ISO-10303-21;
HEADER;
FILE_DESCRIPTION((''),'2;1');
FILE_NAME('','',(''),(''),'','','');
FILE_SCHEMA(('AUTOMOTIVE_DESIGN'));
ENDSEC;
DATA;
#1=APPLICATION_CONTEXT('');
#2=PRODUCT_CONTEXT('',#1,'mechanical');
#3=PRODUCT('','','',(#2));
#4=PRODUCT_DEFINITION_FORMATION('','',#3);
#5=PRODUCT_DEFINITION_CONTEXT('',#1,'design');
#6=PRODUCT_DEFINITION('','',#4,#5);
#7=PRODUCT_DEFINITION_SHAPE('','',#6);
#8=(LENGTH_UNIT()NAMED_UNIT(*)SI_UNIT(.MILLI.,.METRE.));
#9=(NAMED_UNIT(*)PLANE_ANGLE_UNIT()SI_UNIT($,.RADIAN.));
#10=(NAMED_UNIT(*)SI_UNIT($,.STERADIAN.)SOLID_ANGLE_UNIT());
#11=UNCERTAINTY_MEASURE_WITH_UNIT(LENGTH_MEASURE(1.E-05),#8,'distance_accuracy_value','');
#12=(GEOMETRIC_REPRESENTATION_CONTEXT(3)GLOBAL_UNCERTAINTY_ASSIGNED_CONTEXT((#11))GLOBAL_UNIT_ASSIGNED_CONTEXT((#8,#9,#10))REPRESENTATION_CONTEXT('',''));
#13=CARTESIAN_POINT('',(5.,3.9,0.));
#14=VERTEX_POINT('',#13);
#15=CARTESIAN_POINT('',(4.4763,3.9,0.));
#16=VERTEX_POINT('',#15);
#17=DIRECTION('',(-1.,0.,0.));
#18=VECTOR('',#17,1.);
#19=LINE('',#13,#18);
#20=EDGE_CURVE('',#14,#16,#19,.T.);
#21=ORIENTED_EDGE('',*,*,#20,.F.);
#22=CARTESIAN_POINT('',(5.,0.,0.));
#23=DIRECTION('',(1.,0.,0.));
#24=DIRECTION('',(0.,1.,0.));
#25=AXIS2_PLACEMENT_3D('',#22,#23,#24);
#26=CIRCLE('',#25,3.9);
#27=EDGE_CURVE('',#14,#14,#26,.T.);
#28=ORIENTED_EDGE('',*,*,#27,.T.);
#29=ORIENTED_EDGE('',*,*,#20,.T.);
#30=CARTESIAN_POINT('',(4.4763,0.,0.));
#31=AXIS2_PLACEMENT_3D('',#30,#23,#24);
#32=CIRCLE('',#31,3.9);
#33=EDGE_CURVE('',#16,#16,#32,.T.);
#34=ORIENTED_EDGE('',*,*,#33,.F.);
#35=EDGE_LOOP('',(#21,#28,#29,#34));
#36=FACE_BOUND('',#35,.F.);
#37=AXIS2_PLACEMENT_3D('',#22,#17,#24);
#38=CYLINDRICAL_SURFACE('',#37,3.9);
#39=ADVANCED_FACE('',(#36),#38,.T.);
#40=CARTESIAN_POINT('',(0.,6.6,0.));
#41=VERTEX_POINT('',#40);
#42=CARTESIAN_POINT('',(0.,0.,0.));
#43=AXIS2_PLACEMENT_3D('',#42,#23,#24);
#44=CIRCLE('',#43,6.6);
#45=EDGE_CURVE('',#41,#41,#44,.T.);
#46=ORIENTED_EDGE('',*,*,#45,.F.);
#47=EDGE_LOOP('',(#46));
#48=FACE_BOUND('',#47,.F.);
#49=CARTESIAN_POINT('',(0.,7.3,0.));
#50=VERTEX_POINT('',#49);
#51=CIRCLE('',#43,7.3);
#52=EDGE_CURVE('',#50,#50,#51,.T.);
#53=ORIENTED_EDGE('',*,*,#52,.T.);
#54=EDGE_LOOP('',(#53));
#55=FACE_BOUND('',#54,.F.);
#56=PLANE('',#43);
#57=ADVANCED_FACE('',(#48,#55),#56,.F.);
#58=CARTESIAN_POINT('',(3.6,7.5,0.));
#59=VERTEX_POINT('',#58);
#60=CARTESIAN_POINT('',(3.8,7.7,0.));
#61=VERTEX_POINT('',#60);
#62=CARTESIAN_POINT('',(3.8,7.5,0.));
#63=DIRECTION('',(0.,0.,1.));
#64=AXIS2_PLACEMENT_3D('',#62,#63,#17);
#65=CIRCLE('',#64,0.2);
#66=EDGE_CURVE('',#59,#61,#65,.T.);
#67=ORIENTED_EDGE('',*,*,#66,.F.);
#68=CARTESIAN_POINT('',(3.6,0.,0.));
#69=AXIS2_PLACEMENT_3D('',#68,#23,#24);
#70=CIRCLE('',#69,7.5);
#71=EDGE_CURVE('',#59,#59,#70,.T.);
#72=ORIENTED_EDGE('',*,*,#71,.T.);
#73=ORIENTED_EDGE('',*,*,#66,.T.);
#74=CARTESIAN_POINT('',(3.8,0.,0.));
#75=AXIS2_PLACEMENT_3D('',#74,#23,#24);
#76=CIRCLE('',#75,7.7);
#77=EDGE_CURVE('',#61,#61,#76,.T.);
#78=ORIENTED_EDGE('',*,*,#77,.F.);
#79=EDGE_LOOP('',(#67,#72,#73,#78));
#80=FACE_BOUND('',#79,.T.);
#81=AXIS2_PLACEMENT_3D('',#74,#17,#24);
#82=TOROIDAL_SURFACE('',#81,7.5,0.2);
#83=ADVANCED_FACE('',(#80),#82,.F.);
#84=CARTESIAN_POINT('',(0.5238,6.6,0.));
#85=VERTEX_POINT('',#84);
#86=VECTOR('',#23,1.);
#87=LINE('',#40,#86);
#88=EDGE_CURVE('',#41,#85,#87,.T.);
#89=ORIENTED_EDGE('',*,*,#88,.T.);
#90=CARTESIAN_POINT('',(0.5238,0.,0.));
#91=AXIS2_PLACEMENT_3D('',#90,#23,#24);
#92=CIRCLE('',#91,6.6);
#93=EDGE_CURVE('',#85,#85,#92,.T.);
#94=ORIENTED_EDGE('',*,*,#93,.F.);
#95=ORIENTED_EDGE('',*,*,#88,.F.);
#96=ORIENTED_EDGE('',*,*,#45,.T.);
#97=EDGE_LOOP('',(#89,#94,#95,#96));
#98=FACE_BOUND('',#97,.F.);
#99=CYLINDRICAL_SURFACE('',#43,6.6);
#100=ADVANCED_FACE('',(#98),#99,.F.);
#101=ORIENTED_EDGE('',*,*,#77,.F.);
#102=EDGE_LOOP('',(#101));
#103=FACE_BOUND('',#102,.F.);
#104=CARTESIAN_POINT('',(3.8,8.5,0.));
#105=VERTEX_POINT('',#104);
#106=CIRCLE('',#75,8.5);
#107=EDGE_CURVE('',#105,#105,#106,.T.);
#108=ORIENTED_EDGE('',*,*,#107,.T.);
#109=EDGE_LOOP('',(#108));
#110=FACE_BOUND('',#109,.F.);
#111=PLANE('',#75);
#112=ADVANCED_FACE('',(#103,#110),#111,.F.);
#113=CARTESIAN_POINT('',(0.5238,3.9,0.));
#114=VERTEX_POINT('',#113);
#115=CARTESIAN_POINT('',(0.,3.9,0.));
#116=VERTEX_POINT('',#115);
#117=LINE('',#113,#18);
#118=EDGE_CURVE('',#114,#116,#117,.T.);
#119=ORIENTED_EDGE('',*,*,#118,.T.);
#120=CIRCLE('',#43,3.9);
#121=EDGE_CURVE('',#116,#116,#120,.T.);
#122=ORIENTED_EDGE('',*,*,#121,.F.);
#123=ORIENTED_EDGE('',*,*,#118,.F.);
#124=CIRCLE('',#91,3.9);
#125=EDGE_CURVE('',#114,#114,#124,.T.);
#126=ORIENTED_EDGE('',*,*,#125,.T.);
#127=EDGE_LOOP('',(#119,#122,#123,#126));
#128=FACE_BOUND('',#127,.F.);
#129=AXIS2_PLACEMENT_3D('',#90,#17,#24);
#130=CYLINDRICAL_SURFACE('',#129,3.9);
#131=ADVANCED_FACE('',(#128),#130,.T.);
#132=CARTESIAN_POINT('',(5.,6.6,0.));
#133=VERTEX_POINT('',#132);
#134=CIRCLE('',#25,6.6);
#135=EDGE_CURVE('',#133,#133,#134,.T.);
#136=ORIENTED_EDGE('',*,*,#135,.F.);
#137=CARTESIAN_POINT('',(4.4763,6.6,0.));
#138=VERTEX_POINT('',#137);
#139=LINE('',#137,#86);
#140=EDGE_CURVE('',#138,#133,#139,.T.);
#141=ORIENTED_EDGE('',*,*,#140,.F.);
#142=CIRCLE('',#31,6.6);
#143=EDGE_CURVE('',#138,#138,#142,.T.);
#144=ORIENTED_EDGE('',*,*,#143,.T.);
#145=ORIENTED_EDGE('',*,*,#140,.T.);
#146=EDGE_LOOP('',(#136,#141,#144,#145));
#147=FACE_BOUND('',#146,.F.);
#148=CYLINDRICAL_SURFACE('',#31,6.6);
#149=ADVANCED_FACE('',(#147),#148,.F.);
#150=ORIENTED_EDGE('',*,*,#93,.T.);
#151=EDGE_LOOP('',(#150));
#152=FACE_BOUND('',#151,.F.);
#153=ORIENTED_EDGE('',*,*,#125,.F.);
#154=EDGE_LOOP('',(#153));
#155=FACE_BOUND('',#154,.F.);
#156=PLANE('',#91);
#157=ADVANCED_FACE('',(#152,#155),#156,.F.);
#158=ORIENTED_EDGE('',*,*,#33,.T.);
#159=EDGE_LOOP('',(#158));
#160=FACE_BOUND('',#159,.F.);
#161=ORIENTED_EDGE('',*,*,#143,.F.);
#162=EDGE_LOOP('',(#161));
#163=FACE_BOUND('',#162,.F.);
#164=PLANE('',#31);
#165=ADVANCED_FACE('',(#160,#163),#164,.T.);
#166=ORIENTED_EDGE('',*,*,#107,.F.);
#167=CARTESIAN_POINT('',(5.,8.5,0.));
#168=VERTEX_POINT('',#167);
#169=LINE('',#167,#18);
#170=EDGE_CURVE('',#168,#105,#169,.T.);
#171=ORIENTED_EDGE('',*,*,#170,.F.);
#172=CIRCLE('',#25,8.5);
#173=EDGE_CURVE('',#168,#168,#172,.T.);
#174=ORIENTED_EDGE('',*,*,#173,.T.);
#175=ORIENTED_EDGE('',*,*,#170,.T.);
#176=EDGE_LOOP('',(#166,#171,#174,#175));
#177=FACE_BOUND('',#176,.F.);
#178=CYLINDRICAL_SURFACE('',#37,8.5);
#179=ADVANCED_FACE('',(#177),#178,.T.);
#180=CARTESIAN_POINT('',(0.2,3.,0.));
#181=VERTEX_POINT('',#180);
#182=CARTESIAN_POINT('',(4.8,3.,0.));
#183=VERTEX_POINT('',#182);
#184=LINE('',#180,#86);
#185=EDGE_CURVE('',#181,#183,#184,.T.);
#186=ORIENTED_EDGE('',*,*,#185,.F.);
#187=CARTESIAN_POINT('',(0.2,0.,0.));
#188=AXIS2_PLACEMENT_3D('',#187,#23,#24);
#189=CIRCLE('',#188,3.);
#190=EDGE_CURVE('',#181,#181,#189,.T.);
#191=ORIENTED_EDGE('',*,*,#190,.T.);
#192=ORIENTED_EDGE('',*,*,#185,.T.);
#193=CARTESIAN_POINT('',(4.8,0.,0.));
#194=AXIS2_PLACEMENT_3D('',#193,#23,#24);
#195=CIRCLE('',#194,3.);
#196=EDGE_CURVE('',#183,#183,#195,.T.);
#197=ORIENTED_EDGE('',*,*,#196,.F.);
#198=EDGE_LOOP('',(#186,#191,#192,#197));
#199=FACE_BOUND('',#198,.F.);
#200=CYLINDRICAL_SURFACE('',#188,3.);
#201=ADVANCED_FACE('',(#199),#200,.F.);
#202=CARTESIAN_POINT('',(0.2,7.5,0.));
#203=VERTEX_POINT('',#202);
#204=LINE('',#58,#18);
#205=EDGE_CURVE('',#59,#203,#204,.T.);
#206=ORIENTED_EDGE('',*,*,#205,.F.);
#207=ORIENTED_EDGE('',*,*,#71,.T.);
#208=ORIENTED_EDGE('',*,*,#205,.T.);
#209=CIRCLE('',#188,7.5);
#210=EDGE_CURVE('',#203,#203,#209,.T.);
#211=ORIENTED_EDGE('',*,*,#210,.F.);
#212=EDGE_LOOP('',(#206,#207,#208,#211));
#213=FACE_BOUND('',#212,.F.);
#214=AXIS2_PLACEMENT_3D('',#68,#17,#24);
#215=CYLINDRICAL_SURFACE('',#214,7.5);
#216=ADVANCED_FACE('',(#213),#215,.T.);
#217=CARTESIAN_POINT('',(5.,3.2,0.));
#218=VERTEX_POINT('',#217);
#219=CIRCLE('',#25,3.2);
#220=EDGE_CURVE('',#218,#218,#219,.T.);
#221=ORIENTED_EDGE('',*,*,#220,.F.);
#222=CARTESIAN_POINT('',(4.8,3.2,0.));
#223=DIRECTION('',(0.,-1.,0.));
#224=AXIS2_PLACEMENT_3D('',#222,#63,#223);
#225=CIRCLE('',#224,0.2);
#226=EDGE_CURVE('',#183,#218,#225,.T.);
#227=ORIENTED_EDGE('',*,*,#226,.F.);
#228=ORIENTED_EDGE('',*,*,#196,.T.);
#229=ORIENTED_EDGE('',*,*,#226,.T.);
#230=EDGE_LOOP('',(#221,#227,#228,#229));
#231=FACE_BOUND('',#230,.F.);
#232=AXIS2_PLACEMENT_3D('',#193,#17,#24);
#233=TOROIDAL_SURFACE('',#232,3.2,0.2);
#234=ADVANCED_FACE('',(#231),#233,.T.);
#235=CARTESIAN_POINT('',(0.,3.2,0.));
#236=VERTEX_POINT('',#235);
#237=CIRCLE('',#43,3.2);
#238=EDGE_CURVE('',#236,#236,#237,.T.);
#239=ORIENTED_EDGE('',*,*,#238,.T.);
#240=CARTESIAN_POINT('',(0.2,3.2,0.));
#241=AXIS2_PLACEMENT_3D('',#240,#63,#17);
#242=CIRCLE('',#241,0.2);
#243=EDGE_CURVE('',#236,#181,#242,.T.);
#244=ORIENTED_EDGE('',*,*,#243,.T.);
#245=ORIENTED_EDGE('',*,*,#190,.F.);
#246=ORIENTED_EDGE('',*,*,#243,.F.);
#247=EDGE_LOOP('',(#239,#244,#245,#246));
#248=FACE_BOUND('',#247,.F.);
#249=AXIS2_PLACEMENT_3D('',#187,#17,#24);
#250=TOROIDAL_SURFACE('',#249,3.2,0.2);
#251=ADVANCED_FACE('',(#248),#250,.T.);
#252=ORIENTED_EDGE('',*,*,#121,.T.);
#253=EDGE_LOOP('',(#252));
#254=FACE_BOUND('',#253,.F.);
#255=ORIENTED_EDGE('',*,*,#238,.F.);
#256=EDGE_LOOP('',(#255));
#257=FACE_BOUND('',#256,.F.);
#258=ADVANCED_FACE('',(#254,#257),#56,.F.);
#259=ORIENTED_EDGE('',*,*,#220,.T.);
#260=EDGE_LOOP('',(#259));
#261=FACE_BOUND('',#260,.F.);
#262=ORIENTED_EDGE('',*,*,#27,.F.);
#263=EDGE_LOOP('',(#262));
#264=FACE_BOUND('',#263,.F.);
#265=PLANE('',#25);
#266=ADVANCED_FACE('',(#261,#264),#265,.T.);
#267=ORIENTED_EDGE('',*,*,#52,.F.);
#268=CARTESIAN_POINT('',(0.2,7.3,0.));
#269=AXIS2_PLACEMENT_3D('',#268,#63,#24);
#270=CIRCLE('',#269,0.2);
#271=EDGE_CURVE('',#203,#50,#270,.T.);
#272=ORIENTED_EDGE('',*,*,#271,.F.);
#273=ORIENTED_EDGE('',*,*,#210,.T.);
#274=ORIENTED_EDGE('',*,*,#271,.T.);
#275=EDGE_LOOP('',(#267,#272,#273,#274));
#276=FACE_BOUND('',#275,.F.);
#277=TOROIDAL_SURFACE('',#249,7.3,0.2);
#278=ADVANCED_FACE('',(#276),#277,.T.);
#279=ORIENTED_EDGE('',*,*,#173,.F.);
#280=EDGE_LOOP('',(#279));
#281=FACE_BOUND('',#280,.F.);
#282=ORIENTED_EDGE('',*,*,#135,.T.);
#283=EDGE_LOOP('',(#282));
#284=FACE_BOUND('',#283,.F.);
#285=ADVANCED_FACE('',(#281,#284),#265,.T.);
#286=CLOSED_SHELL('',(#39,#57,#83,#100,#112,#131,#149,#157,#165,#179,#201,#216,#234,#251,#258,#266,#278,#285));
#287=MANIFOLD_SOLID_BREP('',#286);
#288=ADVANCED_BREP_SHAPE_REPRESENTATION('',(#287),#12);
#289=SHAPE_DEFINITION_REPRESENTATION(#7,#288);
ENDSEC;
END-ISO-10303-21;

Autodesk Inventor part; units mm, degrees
sketch "Sketch_1" plane through (0, 0, 0) normal (0, 0, 1) x (1, 0, 0)
  line L0 (15, 0) -> (-15, 0)
  arc A0 (0, 3.2) -> (0.2, 3) centre (0.2, 3.2) ccw
  line L1 (0.2, 3) -> (4.8, 3)
  arc A1 (4.8, 3) -> (5, 3.2) centre (4.8, 3.2) ccw
  line L2 (5, 3.2) -> (5, 3.9)
  line L3 (5, 3.9) -> (4.4763, 3.9)
  line L4 (4.4763, 3.9) -> (4.4763, 6.6)
  line L5 (4.4763, 6.6) -> (5, 6.6)
  line L6 (5, 6.6) -> (5, 8.5)
  line L7 (5, 8.5) -> (3.8, 8.5)
  line L8 (3.8, 8.5) -> (3.8, 7.7)
  arc A2 (3.6, 7.5) -> (3.8, 7.7) centre (3.8, 7.5) ccw
  line L9 (3.6, 7.5) -> (0.2, 7.5)
  arc A3 (0.2, 7.5) -> (0, 7.3) centre (0.2, 7.3) ccw
  line L10 (0, 7.3) -> (0, 6.6)
  line L11 (0, 6.6) -> (0.5238, 6.6)
  line L12 (0.5238, 6.6) -> (0.5238, 3.9)
  line L13 (0.5238, 3.9) -> (0, 3.9)
  line L14 (0, 3.9) -> (0, 3.2)
revolve "Revolution1" add sketch "Sketch_1" angle 360 about axis through (15, 0, 0) along (1, 0, 0)
ref_plane "to_housing_XY" through (0, 0, 0) normal (1, 0, 0) x (0, 0, -1)
ref_plane "to_housing_YZ" through (0, 0, 0) normal (0, 0, -1) x (0, 1, 0)
ref_plane "to_housing_ZX" through (0, 0, 0) normal (0, 1, 0) x (1, 0, 0)
properties part number "FL696ZZ_CPY1"
